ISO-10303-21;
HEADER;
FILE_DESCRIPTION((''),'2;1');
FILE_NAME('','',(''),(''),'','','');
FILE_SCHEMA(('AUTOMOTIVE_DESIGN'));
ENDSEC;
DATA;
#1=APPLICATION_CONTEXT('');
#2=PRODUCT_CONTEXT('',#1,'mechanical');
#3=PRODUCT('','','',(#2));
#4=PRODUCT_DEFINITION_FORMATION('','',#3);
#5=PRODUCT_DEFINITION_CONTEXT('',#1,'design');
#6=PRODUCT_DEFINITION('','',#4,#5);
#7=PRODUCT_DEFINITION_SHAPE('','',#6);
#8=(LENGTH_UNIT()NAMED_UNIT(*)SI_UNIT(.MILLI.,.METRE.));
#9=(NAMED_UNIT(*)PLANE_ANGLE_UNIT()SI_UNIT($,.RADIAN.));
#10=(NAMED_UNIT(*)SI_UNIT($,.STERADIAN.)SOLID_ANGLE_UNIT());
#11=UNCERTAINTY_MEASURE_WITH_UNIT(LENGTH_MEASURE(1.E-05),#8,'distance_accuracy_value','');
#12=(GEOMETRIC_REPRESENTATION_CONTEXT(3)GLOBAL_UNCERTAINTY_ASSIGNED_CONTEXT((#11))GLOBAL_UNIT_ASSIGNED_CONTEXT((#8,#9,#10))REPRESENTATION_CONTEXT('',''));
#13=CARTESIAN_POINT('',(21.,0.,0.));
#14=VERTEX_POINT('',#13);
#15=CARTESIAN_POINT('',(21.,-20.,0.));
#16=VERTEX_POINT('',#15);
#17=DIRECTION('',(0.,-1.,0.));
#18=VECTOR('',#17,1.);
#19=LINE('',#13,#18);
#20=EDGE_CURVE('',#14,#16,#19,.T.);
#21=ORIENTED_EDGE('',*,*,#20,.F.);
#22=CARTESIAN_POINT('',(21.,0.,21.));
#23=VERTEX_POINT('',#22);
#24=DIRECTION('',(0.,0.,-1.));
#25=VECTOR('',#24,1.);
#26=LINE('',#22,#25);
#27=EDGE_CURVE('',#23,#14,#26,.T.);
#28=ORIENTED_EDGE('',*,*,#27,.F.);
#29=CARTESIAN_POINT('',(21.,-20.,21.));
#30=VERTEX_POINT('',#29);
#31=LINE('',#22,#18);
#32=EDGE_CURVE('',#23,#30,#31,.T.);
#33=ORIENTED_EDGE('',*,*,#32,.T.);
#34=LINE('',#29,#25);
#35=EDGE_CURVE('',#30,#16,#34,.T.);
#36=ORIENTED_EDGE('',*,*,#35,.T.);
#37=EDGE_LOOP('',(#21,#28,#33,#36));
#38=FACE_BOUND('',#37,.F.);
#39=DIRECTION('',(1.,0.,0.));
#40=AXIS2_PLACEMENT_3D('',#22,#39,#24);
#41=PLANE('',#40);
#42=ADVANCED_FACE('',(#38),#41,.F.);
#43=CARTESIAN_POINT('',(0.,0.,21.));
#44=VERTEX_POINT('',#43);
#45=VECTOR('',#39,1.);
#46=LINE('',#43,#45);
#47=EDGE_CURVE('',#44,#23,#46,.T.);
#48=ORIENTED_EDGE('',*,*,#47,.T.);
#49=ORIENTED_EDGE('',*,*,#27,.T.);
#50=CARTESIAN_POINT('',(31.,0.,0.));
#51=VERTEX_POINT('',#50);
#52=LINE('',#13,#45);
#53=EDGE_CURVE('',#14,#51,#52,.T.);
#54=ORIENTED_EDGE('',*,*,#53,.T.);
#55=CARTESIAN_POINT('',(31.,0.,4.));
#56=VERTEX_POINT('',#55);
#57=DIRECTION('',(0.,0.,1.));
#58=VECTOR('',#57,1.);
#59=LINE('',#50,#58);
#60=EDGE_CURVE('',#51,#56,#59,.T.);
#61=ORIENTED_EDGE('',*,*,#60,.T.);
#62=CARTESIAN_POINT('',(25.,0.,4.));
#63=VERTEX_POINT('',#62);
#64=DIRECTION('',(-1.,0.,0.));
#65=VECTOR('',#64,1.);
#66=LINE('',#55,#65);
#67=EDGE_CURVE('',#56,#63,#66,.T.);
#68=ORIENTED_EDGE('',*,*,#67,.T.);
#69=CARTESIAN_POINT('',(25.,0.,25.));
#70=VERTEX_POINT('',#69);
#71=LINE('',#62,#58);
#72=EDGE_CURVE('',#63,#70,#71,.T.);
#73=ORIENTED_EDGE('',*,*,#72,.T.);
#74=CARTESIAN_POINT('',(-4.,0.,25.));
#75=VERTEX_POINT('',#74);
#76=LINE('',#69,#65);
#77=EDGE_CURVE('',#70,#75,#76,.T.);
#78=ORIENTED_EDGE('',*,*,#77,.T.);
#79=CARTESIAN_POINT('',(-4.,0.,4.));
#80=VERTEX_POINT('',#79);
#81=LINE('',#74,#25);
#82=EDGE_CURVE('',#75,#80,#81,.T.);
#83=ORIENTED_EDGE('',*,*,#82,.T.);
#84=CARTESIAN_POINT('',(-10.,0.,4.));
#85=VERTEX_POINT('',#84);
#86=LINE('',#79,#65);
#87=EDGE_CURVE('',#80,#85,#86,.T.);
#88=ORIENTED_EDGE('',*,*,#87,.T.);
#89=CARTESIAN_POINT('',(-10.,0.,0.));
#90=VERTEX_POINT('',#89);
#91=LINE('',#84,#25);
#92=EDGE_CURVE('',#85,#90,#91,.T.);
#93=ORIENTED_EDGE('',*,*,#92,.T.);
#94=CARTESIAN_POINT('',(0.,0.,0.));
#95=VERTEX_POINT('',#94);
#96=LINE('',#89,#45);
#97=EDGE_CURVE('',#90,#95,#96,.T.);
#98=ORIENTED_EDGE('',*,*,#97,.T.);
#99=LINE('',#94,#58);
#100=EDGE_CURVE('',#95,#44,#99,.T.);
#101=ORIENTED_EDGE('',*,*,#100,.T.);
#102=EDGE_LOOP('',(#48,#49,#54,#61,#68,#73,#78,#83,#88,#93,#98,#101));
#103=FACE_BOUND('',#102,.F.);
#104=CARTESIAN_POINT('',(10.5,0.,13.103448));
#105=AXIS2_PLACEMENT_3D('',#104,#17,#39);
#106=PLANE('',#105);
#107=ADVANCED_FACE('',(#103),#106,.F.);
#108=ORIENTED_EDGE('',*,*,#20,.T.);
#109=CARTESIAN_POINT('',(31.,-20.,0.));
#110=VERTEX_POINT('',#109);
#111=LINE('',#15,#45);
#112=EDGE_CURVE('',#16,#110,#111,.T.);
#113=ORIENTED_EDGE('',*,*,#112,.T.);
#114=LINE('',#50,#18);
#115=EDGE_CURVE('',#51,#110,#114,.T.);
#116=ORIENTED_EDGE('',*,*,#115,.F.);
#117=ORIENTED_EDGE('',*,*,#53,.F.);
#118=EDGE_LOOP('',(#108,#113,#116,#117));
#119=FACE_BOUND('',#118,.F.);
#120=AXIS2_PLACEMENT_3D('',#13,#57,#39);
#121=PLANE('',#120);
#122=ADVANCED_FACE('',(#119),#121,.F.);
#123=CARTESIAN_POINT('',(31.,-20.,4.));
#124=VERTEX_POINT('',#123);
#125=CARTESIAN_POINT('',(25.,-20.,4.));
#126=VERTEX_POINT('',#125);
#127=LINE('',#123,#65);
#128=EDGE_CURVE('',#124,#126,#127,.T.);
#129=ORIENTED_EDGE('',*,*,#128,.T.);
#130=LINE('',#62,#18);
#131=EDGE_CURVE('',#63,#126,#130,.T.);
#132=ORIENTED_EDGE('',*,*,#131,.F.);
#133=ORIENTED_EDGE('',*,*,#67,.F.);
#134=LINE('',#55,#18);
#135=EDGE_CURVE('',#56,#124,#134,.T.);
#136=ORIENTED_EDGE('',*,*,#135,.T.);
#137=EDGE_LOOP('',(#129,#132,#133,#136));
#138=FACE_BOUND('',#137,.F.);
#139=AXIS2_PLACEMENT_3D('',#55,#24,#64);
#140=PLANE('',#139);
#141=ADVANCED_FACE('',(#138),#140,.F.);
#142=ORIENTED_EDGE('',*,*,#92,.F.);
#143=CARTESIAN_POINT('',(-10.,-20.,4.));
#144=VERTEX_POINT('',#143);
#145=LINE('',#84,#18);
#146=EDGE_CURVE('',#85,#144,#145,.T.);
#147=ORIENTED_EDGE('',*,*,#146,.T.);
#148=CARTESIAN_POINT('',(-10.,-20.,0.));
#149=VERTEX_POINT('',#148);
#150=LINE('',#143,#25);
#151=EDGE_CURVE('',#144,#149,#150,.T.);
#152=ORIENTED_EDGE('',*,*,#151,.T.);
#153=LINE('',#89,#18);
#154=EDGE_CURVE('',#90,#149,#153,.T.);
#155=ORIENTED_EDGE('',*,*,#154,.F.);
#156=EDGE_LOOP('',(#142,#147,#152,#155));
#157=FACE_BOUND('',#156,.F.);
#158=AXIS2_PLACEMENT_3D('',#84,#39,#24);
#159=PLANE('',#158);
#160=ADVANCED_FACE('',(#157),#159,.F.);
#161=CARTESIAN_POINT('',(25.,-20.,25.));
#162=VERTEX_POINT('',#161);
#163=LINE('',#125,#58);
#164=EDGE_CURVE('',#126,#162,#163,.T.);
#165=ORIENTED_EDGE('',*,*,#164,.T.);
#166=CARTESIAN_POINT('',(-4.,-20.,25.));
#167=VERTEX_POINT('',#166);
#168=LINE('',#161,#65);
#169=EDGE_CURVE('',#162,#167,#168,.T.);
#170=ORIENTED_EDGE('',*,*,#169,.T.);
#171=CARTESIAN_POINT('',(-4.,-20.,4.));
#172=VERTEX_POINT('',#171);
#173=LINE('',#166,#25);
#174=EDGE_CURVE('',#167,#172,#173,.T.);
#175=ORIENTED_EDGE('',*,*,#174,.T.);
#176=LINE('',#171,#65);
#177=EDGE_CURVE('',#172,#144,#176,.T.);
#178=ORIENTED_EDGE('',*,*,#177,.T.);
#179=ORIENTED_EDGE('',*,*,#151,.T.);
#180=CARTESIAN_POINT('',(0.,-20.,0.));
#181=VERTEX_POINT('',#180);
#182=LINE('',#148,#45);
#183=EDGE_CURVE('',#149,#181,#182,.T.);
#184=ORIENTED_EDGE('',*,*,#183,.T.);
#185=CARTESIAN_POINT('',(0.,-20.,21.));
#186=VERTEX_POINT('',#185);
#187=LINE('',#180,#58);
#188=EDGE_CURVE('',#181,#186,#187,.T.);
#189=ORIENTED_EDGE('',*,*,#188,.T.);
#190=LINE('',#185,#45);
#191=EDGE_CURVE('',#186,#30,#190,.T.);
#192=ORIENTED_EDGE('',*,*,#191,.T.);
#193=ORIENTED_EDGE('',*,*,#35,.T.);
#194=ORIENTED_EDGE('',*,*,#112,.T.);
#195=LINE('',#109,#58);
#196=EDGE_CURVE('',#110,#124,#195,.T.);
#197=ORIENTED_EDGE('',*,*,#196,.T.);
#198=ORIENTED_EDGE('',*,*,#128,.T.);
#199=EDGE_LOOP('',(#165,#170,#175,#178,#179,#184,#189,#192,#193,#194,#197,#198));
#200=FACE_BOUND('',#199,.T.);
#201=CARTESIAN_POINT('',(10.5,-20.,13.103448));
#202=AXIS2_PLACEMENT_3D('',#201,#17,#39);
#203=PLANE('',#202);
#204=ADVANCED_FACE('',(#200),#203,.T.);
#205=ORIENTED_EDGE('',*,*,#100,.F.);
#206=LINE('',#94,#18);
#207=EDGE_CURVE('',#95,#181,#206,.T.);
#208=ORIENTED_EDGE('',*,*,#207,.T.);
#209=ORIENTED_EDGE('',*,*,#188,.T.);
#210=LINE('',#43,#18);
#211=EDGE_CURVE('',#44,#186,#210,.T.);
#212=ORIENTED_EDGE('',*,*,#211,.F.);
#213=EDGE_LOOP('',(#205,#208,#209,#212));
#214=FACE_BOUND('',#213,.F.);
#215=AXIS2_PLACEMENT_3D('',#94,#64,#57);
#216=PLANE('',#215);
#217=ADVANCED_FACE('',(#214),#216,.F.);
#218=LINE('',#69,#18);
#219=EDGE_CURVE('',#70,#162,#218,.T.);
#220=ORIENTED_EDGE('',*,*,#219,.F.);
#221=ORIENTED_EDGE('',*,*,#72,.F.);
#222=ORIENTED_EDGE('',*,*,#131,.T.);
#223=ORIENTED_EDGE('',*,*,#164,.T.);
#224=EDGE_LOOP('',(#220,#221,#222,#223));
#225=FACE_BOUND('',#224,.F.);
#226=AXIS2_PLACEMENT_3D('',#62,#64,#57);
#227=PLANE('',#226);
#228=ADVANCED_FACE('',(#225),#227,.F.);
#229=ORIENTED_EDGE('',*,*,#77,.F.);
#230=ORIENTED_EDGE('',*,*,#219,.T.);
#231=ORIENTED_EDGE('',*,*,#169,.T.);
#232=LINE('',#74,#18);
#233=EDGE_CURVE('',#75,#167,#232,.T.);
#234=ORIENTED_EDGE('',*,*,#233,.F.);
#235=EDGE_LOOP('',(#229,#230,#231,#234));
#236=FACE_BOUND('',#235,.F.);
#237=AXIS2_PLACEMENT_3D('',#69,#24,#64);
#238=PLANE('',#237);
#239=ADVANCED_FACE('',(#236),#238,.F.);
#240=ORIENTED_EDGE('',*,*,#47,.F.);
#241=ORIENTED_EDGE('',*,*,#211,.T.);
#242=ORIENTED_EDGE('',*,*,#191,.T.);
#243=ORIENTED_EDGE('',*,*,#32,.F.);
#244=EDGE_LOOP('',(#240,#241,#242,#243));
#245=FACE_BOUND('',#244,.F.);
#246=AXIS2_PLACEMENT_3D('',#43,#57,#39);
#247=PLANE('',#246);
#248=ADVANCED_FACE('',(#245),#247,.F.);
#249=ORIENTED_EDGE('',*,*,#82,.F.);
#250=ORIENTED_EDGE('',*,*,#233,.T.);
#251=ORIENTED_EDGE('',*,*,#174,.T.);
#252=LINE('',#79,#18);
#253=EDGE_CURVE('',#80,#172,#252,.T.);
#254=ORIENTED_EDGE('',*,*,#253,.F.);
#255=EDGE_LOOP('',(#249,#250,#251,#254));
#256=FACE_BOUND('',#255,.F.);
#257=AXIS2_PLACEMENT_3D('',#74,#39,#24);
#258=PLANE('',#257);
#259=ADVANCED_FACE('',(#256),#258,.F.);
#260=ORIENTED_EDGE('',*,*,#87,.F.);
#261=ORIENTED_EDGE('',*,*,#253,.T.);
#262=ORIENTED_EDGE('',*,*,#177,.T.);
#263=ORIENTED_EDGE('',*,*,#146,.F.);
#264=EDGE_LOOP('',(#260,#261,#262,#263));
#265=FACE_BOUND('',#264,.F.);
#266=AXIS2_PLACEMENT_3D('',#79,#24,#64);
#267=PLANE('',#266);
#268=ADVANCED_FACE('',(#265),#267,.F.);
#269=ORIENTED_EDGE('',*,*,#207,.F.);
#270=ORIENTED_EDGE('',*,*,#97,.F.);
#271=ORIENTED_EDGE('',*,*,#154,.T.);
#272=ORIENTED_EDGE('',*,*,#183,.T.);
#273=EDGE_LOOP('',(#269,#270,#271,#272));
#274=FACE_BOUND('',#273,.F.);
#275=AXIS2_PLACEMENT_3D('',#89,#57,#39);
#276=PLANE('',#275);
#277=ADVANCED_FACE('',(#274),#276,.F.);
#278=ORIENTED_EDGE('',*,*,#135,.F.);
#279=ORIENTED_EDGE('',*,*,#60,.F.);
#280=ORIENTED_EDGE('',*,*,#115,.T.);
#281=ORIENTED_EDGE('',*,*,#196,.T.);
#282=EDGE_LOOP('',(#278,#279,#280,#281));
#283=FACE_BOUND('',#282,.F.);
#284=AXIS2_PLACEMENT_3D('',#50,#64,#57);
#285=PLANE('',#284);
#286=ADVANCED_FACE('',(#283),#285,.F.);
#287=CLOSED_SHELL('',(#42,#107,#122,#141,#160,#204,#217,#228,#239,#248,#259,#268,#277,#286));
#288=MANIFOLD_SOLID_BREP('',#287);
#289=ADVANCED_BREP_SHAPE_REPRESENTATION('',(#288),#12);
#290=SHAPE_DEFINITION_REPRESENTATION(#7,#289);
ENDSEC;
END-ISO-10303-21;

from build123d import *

# Parameters (mm, degrees)
F1_DEPTH = 20


with BuildPart() as f1:
    # F0 (on Front) → F1 (new body)
    with BuildSketch(Plane.XZ):
        Polygon((0, 4), (0, 21), (21, 21), (21, 4), (21, 0), (25, 0), (31, 0), (31, 4), (25, 4), (25, 25), (0, 25), (-4, 25), (-4, 4), (-10, 4), (-10, 0), (-4, 0), (0, 0), align=None)
    extrude(amount=F1_DEPTH)


solid = f1.part
